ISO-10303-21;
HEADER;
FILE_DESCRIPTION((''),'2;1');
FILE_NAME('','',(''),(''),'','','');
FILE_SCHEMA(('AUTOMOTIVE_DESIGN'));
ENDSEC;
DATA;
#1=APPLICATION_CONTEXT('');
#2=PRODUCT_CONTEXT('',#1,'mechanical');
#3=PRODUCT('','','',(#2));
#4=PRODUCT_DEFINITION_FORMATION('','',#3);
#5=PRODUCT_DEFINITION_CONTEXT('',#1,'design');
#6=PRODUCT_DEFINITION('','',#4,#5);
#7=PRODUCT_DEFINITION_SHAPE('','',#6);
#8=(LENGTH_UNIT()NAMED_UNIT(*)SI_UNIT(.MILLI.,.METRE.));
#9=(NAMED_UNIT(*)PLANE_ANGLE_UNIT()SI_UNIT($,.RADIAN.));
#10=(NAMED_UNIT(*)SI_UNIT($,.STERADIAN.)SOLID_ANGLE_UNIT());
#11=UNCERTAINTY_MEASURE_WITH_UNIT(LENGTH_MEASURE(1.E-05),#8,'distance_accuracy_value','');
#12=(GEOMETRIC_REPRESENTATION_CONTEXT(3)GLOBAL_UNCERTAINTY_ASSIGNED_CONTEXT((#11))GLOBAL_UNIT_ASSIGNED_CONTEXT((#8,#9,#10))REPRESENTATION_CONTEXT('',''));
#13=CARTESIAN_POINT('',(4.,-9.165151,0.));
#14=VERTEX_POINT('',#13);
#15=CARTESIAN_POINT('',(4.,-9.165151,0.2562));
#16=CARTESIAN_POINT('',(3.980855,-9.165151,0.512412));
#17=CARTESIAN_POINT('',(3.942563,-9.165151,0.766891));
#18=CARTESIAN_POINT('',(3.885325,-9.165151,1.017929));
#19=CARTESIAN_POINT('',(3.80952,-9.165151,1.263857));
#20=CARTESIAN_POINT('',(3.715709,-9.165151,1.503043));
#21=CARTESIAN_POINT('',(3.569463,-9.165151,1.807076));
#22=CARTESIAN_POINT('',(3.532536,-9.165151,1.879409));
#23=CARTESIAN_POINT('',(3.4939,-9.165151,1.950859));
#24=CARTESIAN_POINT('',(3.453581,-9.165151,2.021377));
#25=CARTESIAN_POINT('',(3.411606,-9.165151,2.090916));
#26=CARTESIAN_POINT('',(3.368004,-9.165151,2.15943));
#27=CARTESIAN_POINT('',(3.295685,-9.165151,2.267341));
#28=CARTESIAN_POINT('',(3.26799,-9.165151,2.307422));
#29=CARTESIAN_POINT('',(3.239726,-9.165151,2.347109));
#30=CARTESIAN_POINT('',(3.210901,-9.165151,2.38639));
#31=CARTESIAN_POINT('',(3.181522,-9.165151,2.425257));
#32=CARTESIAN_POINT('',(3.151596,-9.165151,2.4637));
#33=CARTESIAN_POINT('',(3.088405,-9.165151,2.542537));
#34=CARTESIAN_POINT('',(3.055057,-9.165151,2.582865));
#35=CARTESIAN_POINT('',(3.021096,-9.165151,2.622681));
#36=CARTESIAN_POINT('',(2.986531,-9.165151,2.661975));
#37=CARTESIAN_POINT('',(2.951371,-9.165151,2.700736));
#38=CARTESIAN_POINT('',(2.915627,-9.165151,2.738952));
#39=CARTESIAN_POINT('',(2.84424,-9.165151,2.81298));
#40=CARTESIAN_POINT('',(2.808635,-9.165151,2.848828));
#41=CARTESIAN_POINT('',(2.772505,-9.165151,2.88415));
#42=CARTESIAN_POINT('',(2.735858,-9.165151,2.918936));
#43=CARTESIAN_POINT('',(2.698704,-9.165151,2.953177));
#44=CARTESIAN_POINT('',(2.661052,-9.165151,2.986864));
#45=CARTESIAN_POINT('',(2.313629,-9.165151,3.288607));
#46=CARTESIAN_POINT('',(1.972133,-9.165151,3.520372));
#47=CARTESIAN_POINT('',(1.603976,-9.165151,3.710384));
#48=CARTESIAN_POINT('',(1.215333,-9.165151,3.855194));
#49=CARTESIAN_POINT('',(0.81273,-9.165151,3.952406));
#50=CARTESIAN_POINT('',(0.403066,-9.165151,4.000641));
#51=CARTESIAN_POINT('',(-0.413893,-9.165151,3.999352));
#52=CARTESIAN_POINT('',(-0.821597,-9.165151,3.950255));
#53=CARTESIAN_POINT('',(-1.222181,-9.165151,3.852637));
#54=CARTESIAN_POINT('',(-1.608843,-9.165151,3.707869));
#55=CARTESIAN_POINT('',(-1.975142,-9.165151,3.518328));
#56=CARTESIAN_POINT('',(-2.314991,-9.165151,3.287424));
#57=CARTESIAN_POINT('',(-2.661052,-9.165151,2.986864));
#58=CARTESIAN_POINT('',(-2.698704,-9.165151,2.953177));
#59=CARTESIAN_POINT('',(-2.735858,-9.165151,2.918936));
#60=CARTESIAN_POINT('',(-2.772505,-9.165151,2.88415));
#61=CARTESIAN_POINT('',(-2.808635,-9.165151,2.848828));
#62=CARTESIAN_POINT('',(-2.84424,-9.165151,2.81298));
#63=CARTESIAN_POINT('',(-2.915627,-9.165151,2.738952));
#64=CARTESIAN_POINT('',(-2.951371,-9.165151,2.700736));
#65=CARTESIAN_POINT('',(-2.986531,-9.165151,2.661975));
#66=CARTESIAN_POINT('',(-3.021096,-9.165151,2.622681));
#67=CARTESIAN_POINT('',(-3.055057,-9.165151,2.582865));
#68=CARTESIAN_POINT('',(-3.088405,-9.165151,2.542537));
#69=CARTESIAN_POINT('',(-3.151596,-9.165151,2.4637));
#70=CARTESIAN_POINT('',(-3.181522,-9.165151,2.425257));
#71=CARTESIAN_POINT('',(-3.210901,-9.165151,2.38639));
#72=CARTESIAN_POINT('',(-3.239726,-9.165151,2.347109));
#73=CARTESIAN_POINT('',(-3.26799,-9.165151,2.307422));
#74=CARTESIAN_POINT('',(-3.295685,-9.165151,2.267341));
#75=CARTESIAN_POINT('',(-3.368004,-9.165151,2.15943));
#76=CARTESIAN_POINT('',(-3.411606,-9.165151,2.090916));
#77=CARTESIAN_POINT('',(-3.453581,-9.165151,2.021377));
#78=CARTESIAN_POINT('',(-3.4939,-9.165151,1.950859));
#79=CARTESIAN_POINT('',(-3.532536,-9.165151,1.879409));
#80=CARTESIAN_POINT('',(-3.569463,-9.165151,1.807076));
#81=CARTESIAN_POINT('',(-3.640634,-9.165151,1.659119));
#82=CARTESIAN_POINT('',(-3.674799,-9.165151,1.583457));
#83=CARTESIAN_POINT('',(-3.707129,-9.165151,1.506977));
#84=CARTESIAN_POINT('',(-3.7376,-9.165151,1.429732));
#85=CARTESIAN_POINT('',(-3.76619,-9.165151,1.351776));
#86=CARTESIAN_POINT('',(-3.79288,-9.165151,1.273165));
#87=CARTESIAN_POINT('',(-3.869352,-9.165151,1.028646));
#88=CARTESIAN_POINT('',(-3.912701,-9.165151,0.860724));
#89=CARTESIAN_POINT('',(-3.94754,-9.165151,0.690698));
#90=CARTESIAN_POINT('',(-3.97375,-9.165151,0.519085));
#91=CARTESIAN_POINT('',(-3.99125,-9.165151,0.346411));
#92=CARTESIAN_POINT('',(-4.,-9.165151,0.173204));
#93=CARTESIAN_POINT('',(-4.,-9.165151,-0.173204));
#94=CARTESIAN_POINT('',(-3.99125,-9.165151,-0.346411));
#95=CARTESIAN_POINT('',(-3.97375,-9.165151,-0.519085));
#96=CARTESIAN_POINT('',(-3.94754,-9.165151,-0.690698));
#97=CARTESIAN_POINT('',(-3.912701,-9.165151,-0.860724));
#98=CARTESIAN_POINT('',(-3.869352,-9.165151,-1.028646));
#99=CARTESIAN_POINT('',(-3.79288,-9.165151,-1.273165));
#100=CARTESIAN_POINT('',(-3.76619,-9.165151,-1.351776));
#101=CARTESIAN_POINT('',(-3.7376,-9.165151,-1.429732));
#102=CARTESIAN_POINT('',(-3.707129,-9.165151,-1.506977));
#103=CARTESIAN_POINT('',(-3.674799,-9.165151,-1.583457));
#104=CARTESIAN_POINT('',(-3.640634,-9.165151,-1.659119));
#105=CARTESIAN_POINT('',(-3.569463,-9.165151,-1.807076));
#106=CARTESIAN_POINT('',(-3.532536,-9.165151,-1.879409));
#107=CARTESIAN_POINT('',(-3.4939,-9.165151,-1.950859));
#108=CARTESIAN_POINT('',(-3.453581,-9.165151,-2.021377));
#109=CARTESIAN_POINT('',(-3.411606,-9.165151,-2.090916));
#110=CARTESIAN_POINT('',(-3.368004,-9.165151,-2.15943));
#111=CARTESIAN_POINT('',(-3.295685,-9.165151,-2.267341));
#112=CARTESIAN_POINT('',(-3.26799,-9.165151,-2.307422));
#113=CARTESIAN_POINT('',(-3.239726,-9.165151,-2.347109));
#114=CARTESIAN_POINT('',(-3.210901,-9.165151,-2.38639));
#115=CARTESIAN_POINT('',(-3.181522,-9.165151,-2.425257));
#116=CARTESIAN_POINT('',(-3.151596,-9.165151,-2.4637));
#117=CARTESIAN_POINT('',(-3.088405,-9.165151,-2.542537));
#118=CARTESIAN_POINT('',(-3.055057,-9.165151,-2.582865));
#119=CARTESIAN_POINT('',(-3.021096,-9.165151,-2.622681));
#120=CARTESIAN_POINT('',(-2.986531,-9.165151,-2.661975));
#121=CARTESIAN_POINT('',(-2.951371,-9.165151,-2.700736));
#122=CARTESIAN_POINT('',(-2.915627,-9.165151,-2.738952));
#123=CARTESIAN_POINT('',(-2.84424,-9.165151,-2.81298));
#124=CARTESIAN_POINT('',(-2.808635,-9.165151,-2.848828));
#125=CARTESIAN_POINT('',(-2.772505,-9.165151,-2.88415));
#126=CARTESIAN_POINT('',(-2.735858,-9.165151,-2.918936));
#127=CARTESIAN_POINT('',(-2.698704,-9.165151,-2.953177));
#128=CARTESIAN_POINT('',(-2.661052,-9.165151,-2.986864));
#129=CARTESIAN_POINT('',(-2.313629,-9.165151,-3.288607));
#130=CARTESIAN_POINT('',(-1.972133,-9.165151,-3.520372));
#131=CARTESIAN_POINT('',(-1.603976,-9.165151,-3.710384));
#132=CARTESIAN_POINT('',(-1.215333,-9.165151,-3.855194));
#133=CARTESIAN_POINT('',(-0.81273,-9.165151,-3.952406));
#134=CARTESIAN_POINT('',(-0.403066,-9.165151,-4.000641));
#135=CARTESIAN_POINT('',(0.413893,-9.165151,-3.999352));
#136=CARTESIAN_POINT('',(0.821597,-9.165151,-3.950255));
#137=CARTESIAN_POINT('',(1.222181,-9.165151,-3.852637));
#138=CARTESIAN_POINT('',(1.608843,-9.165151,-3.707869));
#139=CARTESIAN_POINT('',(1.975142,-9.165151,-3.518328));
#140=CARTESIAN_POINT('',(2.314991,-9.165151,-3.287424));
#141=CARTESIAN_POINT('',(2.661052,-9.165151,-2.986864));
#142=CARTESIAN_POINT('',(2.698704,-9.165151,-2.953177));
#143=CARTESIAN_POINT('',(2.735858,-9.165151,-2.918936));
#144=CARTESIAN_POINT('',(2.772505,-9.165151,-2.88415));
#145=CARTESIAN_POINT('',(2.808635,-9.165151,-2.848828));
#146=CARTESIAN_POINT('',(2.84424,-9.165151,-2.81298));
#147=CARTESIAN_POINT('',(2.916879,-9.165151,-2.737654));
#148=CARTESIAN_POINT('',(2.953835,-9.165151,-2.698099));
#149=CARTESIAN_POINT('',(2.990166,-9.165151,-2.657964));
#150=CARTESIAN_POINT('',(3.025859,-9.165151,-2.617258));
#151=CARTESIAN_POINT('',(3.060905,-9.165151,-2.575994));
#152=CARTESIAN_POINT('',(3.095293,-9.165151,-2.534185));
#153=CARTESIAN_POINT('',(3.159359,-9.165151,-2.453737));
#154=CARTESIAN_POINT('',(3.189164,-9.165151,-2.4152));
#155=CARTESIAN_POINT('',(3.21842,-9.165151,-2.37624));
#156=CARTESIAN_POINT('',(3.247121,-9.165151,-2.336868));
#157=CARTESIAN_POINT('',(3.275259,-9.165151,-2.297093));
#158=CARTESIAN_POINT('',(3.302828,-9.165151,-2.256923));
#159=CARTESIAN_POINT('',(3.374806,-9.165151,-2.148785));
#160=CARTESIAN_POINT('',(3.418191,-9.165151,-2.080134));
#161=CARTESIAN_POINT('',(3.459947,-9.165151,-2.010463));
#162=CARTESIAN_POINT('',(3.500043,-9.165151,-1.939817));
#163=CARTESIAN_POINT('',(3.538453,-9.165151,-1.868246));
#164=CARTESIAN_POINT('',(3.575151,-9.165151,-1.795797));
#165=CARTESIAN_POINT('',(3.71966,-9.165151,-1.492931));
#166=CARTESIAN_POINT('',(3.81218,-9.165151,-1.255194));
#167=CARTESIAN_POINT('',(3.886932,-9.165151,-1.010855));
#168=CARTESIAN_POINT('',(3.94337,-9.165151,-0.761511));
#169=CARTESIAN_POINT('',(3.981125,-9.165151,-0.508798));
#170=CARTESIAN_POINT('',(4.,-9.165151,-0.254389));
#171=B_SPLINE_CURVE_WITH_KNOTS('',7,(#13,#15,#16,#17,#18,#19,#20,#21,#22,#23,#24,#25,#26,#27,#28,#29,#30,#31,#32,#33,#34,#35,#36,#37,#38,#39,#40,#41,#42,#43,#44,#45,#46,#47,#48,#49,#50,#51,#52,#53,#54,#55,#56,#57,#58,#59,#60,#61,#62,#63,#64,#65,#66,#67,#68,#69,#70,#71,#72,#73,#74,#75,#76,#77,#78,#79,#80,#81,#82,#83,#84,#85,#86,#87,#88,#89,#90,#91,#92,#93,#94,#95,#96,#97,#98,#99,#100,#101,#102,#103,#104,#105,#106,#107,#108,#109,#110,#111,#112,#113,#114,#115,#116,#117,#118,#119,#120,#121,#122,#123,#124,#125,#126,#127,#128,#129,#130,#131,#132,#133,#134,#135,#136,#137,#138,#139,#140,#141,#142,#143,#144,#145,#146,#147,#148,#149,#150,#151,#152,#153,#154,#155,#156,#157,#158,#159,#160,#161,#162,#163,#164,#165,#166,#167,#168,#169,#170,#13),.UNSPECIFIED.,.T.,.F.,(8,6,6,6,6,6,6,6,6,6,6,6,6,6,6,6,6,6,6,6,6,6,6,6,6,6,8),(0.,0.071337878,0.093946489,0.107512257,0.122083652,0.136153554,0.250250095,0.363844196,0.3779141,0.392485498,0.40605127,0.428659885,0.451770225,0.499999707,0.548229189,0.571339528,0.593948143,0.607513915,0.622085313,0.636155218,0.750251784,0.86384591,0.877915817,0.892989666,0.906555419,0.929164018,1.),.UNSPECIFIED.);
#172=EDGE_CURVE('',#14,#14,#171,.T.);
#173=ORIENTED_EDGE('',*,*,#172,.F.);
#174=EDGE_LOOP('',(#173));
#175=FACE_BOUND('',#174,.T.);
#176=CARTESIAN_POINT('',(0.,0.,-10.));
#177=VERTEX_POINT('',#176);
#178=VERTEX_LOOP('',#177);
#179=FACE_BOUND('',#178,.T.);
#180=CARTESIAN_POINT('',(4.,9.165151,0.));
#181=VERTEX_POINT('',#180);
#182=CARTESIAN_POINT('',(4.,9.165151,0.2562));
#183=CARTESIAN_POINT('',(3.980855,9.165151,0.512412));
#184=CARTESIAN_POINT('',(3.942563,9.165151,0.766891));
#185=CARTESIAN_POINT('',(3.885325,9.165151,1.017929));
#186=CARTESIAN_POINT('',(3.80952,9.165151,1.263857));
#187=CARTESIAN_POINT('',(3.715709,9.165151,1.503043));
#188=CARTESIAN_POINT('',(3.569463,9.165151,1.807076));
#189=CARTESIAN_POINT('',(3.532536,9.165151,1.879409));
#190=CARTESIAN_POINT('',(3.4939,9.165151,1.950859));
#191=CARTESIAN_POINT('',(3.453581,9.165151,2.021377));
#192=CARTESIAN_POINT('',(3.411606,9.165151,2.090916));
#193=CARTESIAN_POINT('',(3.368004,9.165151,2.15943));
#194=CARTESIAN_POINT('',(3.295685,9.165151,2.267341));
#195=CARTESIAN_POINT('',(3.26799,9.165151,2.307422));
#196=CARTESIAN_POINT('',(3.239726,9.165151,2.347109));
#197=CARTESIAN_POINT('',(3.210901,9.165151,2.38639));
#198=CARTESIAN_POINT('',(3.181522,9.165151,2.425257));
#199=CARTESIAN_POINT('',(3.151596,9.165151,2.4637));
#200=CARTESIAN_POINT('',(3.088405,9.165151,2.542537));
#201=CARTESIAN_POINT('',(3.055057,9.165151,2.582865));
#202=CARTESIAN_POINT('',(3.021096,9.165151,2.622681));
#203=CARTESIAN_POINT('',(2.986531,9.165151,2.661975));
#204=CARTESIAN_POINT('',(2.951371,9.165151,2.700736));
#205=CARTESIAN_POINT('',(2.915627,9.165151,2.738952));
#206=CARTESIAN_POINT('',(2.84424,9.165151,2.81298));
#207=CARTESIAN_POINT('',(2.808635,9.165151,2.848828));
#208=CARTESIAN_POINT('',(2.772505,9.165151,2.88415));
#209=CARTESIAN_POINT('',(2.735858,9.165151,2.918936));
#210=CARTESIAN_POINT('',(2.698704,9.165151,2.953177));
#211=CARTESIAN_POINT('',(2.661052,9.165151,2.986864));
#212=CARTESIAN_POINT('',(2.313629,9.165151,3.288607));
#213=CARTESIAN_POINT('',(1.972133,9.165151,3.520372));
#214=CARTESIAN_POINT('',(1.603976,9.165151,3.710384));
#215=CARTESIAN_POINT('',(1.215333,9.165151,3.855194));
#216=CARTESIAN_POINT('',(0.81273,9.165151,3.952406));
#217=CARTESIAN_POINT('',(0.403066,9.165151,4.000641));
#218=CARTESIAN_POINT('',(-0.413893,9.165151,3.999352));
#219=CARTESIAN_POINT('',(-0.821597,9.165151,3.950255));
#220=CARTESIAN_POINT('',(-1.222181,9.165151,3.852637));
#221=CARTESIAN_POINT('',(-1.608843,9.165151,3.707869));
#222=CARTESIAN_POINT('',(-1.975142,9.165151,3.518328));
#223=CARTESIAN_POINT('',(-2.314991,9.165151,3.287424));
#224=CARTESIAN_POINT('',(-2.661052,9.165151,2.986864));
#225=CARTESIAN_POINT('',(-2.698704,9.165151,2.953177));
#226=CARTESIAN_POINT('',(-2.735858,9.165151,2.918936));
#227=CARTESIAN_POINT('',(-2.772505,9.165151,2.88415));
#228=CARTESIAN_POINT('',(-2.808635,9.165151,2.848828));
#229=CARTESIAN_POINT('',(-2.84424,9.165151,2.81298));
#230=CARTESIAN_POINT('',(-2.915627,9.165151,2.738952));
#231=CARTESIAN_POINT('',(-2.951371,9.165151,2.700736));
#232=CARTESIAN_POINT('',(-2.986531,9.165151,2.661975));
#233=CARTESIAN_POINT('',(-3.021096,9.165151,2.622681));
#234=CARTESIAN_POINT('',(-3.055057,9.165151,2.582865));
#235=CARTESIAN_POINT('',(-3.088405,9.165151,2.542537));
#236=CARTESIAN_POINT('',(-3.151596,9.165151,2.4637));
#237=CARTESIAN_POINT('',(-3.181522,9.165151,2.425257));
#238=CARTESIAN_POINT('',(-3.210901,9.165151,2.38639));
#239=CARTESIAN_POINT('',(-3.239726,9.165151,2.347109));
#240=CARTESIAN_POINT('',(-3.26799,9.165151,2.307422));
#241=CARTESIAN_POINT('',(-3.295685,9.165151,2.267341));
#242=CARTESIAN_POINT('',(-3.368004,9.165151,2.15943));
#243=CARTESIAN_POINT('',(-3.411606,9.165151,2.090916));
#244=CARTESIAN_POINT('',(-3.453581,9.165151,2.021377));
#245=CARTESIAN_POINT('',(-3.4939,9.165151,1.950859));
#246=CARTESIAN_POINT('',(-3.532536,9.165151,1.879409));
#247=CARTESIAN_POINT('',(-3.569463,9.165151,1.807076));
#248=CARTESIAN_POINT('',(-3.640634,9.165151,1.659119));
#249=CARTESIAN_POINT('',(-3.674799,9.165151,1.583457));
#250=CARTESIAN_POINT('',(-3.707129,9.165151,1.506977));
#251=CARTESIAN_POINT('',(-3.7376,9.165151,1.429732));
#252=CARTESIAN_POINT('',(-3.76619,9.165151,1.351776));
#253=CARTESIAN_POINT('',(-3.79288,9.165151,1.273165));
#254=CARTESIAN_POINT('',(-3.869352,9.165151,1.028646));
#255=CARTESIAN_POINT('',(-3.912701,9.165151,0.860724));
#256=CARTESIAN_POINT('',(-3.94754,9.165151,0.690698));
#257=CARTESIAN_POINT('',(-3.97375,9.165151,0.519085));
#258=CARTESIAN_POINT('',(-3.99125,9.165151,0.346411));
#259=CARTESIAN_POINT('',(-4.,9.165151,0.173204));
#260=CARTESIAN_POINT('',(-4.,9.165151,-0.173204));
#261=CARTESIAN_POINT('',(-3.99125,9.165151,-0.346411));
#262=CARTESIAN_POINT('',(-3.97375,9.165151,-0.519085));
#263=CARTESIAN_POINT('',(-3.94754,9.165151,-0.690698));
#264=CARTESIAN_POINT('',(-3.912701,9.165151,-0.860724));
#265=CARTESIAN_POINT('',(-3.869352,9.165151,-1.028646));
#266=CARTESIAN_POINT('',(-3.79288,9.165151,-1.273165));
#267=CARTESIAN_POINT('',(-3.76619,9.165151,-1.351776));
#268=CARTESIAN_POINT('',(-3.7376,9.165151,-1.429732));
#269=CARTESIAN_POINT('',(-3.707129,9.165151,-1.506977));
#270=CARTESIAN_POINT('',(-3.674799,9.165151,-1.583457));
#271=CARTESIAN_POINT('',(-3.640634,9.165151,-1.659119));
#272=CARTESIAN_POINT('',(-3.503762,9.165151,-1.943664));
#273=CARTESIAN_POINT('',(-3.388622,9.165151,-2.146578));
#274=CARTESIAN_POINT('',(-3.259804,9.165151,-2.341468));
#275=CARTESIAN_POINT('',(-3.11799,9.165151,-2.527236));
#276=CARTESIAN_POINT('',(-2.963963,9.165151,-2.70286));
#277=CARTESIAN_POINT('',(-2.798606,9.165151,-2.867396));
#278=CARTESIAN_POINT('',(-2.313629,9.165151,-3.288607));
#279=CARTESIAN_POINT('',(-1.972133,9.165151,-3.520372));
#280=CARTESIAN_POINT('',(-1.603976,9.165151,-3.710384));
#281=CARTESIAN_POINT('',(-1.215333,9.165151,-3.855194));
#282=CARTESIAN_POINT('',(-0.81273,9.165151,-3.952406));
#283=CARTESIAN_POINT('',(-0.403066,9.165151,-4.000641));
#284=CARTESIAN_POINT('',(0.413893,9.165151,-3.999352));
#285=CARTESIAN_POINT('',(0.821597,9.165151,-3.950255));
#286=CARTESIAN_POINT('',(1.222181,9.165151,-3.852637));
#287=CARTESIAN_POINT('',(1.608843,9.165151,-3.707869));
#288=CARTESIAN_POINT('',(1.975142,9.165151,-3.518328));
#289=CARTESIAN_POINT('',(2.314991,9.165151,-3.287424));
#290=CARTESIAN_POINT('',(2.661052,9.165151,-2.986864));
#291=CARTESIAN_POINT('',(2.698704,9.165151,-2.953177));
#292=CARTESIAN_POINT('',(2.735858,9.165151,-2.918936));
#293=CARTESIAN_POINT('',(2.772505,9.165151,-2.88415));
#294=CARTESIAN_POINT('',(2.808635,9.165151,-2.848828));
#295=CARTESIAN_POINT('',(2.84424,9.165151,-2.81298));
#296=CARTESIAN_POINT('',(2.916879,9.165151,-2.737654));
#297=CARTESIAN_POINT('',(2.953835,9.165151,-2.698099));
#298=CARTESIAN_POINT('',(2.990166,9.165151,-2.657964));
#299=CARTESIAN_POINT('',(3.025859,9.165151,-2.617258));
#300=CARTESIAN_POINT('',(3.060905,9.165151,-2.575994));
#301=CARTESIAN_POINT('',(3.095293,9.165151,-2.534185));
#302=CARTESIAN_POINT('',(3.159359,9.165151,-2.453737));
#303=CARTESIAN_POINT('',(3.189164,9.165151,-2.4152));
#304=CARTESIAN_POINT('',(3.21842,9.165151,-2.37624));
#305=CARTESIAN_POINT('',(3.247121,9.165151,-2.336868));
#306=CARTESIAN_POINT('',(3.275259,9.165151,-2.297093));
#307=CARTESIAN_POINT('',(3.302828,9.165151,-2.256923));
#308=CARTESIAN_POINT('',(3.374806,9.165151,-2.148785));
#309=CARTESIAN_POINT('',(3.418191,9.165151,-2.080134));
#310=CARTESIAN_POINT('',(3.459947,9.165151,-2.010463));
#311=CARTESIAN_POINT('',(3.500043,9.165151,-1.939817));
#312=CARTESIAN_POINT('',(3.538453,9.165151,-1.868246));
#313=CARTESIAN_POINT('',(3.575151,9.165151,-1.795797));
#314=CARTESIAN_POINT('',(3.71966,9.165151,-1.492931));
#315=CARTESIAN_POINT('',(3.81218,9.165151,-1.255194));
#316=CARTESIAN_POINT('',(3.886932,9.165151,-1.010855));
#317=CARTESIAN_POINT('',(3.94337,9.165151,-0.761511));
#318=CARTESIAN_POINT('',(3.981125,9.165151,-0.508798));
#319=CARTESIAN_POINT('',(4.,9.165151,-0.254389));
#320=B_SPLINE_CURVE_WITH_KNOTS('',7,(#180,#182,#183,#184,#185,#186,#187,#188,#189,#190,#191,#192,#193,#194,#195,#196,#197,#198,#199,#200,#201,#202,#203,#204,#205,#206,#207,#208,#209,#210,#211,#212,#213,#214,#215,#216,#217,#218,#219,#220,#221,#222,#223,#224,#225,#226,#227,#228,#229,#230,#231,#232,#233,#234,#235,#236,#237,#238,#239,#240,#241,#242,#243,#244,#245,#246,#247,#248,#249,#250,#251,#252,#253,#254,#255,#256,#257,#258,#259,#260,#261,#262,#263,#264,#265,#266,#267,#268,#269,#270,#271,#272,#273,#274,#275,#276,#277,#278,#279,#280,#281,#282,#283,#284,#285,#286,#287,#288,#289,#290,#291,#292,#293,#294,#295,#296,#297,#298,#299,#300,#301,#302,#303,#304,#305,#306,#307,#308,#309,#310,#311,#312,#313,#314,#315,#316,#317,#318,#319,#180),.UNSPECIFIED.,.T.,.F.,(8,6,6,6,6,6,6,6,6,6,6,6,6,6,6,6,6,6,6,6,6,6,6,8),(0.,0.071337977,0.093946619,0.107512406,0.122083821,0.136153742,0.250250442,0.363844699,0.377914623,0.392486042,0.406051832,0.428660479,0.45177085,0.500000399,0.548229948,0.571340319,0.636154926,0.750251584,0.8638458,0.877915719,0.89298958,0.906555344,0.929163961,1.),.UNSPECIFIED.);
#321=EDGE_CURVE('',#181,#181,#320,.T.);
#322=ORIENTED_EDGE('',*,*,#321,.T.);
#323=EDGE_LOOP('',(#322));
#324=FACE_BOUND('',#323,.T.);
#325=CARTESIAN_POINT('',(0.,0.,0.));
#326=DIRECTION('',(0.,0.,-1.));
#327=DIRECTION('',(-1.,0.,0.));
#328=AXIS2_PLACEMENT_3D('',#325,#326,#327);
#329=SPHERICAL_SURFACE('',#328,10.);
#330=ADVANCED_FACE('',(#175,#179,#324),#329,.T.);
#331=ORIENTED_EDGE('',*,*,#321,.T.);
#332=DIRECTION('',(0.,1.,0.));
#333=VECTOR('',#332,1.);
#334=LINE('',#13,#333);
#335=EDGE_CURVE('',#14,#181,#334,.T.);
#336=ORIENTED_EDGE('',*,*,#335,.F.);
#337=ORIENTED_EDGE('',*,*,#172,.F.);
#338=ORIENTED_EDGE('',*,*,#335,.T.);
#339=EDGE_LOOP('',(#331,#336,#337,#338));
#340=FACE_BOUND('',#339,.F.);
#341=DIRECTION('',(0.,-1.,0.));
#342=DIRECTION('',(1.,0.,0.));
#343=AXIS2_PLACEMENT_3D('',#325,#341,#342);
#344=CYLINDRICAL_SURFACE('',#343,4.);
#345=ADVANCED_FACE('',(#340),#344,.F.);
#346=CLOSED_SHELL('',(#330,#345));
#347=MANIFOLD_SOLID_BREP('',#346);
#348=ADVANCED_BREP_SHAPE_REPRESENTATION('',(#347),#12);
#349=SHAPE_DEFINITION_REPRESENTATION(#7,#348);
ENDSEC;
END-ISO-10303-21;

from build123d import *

# Parameters (mm, degrees)
F2_R          = 4
F3_DEPTH      = 10
F3_DEPTH_BACK = 10


with BuildPart() as f1:
    # F0 (on Front) → F1 (revolve)
    with BuildSketch(Plane.XZ):
        with BuildLine():
            Line((0, -10), (0, 10))
            ThreePointArc((0, 10), (-10, 0), (0, -10))
        make_face()
    revolve(axis=Axis((0, 0, 0), (0, 0, -1)))

    # F2 (on Front) → F3 (cut, two sides)
    with BuildSketch(Plane.XZ) as f3_sk:
        Circle(F2_R)
    extrude(amount=F3_DEPTH, mode=Mode.SUBTRACT)
    extrude(f3_sk.sketch, amount=-F3_DEPTH_BACK, mode=Mode.SUBTRACT)


solid = f1.part
